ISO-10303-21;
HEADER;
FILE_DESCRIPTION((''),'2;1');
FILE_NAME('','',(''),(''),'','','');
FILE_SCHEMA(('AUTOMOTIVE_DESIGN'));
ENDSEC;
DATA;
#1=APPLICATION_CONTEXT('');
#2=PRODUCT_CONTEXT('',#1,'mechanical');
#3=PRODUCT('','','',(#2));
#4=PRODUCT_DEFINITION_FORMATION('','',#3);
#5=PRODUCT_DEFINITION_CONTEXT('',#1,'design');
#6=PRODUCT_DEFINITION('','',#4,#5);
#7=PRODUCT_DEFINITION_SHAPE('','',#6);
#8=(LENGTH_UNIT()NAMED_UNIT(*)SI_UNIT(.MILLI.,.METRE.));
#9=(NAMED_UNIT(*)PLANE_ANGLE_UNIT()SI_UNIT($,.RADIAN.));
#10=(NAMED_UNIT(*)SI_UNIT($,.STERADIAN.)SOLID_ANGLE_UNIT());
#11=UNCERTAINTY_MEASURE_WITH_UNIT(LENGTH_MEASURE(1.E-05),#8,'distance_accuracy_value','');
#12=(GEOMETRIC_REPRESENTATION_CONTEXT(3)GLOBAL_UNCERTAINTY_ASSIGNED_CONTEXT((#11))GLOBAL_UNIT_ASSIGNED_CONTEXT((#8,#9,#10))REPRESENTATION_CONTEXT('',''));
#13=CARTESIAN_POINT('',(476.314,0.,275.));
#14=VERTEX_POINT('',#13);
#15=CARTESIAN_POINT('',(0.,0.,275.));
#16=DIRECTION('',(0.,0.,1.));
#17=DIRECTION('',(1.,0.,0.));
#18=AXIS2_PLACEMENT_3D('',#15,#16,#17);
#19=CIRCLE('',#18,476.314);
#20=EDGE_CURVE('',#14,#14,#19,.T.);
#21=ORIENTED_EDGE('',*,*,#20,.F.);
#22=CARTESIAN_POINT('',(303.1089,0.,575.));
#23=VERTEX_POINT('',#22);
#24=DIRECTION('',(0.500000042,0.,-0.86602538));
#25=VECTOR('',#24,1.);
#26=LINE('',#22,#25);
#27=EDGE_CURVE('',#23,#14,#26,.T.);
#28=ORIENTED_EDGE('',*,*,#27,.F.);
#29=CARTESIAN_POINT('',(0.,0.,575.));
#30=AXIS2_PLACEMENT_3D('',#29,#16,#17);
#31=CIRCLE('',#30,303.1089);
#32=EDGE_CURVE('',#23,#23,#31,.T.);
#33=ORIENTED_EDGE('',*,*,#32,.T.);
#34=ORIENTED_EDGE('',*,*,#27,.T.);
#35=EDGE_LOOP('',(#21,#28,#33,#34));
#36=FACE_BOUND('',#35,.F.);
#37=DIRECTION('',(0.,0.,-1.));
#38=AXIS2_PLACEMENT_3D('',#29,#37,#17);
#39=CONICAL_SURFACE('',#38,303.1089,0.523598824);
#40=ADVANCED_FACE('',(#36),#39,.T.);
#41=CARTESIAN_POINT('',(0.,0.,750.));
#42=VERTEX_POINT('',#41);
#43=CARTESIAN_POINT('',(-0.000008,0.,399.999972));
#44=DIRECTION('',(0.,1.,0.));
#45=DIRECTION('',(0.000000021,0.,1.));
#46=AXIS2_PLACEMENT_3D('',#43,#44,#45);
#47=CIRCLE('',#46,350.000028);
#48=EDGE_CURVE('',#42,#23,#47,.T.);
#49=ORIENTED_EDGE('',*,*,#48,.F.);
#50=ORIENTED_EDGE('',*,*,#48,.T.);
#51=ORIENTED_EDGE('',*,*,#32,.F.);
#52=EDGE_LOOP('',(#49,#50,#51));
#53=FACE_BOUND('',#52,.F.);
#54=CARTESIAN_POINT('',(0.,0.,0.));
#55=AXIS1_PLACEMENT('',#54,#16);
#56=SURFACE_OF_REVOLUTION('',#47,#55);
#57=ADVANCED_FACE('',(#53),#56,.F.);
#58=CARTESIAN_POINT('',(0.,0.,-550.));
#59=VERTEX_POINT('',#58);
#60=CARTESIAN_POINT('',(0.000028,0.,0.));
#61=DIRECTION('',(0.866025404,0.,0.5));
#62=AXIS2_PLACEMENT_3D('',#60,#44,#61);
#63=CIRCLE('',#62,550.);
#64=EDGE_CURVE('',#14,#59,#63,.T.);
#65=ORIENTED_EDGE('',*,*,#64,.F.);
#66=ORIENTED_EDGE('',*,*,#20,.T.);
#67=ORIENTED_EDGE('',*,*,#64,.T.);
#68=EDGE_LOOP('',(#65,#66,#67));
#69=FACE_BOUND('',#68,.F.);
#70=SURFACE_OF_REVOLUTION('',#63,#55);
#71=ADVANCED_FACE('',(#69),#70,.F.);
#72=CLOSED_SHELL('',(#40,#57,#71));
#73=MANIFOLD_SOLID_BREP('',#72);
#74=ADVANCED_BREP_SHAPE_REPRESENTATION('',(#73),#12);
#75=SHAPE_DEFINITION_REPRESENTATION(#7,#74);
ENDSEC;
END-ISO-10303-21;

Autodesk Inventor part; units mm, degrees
ref_plane "YZ Plane" through (0, 0, 0) normal (1, 0, 0) x (0, 1, 0)
ref_plane "XZ Plane" through (0, 0, 0) normal (0, 1, 0) x (-1, 0, 0)
ref_plane "XY Plane" through (0, 0, 0) normal (0, 0, 1) x (1, 0, 0)
sketch "スケッチ1" plane through (0, 0, 0) normal (0, 1, 0) x (-1, 0, 0)
  line L0 (0, 0) -> (0, 948.6182)
  arc A0 (-476.314, 275) -> (0, -550) centre (0, 0) ccw
  line L1 (0, 750) -> (0, -550)
  line L2 (-550, 439.5467) -> (-550, -285.6332) construction
  line L3 (574.7081, 870) -> (-1081.4689, 870) construction
  line L4 (-303.1089, 575) -> (-476.314, 275)
  arc A1 (0, 750) -> (-303.1089, 575) centre (0, 400) ccw
  dimension "d0" = 1100
  dimension "d1" = 1420
  dimension "d2" = 350
  dimension "d3" = 30
revolve "回転1" add sketch "スケッチ1" angle 360 about axis through (0, 0, 0) along (0, 0, 1)
properties part number "PolyformA7Buoy_Black"
